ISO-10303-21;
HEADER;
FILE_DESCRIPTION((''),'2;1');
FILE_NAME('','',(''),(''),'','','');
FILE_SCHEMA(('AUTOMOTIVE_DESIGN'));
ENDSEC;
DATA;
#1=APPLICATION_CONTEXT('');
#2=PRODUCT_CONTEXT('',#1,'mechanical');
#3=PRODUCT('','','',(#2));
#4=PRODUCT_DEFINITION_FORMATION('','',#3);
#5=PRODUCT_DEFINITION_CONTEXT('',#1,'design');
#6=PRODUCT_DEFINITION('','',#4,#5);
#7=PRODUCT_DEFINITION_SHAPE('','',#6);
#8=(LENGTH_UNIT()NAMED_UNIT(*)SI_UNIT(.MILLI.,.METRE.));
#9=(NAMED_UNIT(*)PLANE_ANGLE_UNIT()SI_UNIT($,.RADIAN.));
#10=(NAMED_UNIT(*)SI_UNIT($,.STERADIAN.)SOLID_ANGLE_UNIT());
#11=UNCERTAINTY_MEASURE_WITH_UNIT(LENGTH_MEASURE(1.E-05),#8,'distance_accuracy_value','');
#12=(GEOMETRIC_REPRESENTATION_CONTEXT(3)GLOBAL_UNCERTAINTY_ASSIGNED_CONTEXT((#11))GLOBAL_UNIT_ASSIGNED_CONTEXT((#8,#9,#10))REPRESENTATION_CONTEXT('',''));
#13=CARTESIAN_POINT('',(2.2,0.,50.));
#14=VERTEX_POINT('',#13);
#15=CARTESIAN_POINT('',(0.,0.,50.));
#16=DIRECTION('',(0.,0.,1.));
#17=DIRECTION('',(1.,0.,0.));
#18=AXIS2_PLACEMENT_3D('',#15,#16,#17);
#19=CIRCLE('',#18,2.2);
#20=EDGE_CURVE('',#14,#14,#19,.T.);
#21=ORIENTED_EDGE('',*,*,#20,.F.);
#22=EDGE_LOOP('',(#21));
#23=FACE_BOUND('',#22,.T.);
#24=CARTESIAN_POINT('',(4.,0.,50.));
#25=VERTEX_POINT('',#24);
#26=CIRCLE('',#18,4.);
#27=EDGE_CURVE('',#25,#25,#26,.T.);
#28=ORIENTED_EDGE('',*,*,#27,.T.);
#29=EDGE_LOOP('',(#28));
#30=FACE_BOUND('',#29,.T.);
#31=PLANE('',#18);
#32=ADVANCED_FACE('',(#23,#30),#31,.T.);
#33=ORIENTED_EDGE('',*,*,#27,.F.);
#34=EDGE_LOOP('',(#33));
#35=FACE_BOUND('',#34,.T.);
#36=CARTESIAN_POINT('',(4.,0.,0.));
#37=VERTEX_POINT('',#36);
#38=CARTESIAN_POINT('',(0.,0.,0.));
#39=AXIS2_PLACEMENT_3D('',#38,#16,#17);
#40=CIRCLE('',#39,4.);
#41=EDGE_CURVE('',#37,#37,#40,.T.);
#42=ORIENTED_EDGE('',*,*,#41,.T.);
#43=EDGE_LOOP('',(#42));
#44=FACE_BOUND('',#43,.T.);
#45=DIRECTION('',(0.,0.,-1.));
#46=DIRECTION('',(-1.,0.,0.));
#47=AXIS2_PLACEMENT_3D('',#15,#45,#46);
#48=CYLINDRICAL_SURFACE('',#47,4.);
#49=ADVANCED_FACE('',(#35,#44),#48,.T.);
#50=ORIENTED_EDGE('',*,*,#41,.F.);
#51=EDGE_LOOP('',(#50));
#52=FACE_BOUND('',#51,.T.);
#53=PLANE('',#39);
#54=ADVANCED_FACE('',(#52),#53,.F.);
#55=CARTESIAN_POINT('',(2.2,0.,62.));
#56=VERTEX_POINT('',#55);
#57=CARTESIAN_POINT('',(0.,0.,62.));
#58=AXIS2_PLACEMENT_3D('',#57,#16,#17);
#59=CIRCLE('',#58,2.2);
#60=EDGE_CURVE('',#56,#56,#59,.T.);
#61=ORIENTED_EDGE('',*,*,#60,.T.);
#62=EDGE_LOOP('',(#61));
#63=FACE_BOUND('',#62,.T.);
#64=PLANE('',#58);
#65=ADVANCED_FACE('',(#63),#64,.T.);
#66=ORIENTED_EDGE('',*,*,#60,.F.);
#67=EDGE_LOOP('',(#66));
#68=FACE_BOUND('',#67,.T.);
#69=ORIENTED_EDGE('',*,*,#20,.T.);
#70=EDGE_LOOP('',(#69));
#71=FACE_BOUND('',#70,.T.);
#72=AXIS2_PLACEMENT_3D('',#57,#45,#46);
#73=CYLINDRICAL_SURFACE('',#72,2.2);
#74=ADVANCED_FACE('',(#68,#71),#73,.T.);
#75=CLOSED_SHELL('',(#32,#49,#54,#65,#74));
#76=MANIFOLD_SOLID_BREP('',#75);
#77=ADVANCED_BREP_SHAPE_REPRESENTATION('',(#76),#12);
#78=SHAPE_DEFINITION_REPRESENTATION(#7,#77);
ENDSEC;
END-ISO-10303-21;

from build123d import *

# Parameters (mm, degrees)
SKETCH1_R           = 4
BOSS_EXTRUDE1_DEPTH = 50
SKETCH2_R           = 2.2
BOSS_EXTRUDE2_DEPTH = 12


with BuildPart() as part:
    # Sketch1 → Boss-Extrude1 (new body)
    with BuildSketch(Plane.XY):
        Circle(SKETCH1_R)
    extrude(amount=BOSS_EXTRUDE1_DEPTH)

    # Sketch2 → Boss-Extrude2 (add)
    with BuildSketch(Plane.XY.offset(50)):
        Circle(SKETCH2_R)
    extrude(amount=BOSS_EXTRUDE2_DEPTH)


solid = part.part
